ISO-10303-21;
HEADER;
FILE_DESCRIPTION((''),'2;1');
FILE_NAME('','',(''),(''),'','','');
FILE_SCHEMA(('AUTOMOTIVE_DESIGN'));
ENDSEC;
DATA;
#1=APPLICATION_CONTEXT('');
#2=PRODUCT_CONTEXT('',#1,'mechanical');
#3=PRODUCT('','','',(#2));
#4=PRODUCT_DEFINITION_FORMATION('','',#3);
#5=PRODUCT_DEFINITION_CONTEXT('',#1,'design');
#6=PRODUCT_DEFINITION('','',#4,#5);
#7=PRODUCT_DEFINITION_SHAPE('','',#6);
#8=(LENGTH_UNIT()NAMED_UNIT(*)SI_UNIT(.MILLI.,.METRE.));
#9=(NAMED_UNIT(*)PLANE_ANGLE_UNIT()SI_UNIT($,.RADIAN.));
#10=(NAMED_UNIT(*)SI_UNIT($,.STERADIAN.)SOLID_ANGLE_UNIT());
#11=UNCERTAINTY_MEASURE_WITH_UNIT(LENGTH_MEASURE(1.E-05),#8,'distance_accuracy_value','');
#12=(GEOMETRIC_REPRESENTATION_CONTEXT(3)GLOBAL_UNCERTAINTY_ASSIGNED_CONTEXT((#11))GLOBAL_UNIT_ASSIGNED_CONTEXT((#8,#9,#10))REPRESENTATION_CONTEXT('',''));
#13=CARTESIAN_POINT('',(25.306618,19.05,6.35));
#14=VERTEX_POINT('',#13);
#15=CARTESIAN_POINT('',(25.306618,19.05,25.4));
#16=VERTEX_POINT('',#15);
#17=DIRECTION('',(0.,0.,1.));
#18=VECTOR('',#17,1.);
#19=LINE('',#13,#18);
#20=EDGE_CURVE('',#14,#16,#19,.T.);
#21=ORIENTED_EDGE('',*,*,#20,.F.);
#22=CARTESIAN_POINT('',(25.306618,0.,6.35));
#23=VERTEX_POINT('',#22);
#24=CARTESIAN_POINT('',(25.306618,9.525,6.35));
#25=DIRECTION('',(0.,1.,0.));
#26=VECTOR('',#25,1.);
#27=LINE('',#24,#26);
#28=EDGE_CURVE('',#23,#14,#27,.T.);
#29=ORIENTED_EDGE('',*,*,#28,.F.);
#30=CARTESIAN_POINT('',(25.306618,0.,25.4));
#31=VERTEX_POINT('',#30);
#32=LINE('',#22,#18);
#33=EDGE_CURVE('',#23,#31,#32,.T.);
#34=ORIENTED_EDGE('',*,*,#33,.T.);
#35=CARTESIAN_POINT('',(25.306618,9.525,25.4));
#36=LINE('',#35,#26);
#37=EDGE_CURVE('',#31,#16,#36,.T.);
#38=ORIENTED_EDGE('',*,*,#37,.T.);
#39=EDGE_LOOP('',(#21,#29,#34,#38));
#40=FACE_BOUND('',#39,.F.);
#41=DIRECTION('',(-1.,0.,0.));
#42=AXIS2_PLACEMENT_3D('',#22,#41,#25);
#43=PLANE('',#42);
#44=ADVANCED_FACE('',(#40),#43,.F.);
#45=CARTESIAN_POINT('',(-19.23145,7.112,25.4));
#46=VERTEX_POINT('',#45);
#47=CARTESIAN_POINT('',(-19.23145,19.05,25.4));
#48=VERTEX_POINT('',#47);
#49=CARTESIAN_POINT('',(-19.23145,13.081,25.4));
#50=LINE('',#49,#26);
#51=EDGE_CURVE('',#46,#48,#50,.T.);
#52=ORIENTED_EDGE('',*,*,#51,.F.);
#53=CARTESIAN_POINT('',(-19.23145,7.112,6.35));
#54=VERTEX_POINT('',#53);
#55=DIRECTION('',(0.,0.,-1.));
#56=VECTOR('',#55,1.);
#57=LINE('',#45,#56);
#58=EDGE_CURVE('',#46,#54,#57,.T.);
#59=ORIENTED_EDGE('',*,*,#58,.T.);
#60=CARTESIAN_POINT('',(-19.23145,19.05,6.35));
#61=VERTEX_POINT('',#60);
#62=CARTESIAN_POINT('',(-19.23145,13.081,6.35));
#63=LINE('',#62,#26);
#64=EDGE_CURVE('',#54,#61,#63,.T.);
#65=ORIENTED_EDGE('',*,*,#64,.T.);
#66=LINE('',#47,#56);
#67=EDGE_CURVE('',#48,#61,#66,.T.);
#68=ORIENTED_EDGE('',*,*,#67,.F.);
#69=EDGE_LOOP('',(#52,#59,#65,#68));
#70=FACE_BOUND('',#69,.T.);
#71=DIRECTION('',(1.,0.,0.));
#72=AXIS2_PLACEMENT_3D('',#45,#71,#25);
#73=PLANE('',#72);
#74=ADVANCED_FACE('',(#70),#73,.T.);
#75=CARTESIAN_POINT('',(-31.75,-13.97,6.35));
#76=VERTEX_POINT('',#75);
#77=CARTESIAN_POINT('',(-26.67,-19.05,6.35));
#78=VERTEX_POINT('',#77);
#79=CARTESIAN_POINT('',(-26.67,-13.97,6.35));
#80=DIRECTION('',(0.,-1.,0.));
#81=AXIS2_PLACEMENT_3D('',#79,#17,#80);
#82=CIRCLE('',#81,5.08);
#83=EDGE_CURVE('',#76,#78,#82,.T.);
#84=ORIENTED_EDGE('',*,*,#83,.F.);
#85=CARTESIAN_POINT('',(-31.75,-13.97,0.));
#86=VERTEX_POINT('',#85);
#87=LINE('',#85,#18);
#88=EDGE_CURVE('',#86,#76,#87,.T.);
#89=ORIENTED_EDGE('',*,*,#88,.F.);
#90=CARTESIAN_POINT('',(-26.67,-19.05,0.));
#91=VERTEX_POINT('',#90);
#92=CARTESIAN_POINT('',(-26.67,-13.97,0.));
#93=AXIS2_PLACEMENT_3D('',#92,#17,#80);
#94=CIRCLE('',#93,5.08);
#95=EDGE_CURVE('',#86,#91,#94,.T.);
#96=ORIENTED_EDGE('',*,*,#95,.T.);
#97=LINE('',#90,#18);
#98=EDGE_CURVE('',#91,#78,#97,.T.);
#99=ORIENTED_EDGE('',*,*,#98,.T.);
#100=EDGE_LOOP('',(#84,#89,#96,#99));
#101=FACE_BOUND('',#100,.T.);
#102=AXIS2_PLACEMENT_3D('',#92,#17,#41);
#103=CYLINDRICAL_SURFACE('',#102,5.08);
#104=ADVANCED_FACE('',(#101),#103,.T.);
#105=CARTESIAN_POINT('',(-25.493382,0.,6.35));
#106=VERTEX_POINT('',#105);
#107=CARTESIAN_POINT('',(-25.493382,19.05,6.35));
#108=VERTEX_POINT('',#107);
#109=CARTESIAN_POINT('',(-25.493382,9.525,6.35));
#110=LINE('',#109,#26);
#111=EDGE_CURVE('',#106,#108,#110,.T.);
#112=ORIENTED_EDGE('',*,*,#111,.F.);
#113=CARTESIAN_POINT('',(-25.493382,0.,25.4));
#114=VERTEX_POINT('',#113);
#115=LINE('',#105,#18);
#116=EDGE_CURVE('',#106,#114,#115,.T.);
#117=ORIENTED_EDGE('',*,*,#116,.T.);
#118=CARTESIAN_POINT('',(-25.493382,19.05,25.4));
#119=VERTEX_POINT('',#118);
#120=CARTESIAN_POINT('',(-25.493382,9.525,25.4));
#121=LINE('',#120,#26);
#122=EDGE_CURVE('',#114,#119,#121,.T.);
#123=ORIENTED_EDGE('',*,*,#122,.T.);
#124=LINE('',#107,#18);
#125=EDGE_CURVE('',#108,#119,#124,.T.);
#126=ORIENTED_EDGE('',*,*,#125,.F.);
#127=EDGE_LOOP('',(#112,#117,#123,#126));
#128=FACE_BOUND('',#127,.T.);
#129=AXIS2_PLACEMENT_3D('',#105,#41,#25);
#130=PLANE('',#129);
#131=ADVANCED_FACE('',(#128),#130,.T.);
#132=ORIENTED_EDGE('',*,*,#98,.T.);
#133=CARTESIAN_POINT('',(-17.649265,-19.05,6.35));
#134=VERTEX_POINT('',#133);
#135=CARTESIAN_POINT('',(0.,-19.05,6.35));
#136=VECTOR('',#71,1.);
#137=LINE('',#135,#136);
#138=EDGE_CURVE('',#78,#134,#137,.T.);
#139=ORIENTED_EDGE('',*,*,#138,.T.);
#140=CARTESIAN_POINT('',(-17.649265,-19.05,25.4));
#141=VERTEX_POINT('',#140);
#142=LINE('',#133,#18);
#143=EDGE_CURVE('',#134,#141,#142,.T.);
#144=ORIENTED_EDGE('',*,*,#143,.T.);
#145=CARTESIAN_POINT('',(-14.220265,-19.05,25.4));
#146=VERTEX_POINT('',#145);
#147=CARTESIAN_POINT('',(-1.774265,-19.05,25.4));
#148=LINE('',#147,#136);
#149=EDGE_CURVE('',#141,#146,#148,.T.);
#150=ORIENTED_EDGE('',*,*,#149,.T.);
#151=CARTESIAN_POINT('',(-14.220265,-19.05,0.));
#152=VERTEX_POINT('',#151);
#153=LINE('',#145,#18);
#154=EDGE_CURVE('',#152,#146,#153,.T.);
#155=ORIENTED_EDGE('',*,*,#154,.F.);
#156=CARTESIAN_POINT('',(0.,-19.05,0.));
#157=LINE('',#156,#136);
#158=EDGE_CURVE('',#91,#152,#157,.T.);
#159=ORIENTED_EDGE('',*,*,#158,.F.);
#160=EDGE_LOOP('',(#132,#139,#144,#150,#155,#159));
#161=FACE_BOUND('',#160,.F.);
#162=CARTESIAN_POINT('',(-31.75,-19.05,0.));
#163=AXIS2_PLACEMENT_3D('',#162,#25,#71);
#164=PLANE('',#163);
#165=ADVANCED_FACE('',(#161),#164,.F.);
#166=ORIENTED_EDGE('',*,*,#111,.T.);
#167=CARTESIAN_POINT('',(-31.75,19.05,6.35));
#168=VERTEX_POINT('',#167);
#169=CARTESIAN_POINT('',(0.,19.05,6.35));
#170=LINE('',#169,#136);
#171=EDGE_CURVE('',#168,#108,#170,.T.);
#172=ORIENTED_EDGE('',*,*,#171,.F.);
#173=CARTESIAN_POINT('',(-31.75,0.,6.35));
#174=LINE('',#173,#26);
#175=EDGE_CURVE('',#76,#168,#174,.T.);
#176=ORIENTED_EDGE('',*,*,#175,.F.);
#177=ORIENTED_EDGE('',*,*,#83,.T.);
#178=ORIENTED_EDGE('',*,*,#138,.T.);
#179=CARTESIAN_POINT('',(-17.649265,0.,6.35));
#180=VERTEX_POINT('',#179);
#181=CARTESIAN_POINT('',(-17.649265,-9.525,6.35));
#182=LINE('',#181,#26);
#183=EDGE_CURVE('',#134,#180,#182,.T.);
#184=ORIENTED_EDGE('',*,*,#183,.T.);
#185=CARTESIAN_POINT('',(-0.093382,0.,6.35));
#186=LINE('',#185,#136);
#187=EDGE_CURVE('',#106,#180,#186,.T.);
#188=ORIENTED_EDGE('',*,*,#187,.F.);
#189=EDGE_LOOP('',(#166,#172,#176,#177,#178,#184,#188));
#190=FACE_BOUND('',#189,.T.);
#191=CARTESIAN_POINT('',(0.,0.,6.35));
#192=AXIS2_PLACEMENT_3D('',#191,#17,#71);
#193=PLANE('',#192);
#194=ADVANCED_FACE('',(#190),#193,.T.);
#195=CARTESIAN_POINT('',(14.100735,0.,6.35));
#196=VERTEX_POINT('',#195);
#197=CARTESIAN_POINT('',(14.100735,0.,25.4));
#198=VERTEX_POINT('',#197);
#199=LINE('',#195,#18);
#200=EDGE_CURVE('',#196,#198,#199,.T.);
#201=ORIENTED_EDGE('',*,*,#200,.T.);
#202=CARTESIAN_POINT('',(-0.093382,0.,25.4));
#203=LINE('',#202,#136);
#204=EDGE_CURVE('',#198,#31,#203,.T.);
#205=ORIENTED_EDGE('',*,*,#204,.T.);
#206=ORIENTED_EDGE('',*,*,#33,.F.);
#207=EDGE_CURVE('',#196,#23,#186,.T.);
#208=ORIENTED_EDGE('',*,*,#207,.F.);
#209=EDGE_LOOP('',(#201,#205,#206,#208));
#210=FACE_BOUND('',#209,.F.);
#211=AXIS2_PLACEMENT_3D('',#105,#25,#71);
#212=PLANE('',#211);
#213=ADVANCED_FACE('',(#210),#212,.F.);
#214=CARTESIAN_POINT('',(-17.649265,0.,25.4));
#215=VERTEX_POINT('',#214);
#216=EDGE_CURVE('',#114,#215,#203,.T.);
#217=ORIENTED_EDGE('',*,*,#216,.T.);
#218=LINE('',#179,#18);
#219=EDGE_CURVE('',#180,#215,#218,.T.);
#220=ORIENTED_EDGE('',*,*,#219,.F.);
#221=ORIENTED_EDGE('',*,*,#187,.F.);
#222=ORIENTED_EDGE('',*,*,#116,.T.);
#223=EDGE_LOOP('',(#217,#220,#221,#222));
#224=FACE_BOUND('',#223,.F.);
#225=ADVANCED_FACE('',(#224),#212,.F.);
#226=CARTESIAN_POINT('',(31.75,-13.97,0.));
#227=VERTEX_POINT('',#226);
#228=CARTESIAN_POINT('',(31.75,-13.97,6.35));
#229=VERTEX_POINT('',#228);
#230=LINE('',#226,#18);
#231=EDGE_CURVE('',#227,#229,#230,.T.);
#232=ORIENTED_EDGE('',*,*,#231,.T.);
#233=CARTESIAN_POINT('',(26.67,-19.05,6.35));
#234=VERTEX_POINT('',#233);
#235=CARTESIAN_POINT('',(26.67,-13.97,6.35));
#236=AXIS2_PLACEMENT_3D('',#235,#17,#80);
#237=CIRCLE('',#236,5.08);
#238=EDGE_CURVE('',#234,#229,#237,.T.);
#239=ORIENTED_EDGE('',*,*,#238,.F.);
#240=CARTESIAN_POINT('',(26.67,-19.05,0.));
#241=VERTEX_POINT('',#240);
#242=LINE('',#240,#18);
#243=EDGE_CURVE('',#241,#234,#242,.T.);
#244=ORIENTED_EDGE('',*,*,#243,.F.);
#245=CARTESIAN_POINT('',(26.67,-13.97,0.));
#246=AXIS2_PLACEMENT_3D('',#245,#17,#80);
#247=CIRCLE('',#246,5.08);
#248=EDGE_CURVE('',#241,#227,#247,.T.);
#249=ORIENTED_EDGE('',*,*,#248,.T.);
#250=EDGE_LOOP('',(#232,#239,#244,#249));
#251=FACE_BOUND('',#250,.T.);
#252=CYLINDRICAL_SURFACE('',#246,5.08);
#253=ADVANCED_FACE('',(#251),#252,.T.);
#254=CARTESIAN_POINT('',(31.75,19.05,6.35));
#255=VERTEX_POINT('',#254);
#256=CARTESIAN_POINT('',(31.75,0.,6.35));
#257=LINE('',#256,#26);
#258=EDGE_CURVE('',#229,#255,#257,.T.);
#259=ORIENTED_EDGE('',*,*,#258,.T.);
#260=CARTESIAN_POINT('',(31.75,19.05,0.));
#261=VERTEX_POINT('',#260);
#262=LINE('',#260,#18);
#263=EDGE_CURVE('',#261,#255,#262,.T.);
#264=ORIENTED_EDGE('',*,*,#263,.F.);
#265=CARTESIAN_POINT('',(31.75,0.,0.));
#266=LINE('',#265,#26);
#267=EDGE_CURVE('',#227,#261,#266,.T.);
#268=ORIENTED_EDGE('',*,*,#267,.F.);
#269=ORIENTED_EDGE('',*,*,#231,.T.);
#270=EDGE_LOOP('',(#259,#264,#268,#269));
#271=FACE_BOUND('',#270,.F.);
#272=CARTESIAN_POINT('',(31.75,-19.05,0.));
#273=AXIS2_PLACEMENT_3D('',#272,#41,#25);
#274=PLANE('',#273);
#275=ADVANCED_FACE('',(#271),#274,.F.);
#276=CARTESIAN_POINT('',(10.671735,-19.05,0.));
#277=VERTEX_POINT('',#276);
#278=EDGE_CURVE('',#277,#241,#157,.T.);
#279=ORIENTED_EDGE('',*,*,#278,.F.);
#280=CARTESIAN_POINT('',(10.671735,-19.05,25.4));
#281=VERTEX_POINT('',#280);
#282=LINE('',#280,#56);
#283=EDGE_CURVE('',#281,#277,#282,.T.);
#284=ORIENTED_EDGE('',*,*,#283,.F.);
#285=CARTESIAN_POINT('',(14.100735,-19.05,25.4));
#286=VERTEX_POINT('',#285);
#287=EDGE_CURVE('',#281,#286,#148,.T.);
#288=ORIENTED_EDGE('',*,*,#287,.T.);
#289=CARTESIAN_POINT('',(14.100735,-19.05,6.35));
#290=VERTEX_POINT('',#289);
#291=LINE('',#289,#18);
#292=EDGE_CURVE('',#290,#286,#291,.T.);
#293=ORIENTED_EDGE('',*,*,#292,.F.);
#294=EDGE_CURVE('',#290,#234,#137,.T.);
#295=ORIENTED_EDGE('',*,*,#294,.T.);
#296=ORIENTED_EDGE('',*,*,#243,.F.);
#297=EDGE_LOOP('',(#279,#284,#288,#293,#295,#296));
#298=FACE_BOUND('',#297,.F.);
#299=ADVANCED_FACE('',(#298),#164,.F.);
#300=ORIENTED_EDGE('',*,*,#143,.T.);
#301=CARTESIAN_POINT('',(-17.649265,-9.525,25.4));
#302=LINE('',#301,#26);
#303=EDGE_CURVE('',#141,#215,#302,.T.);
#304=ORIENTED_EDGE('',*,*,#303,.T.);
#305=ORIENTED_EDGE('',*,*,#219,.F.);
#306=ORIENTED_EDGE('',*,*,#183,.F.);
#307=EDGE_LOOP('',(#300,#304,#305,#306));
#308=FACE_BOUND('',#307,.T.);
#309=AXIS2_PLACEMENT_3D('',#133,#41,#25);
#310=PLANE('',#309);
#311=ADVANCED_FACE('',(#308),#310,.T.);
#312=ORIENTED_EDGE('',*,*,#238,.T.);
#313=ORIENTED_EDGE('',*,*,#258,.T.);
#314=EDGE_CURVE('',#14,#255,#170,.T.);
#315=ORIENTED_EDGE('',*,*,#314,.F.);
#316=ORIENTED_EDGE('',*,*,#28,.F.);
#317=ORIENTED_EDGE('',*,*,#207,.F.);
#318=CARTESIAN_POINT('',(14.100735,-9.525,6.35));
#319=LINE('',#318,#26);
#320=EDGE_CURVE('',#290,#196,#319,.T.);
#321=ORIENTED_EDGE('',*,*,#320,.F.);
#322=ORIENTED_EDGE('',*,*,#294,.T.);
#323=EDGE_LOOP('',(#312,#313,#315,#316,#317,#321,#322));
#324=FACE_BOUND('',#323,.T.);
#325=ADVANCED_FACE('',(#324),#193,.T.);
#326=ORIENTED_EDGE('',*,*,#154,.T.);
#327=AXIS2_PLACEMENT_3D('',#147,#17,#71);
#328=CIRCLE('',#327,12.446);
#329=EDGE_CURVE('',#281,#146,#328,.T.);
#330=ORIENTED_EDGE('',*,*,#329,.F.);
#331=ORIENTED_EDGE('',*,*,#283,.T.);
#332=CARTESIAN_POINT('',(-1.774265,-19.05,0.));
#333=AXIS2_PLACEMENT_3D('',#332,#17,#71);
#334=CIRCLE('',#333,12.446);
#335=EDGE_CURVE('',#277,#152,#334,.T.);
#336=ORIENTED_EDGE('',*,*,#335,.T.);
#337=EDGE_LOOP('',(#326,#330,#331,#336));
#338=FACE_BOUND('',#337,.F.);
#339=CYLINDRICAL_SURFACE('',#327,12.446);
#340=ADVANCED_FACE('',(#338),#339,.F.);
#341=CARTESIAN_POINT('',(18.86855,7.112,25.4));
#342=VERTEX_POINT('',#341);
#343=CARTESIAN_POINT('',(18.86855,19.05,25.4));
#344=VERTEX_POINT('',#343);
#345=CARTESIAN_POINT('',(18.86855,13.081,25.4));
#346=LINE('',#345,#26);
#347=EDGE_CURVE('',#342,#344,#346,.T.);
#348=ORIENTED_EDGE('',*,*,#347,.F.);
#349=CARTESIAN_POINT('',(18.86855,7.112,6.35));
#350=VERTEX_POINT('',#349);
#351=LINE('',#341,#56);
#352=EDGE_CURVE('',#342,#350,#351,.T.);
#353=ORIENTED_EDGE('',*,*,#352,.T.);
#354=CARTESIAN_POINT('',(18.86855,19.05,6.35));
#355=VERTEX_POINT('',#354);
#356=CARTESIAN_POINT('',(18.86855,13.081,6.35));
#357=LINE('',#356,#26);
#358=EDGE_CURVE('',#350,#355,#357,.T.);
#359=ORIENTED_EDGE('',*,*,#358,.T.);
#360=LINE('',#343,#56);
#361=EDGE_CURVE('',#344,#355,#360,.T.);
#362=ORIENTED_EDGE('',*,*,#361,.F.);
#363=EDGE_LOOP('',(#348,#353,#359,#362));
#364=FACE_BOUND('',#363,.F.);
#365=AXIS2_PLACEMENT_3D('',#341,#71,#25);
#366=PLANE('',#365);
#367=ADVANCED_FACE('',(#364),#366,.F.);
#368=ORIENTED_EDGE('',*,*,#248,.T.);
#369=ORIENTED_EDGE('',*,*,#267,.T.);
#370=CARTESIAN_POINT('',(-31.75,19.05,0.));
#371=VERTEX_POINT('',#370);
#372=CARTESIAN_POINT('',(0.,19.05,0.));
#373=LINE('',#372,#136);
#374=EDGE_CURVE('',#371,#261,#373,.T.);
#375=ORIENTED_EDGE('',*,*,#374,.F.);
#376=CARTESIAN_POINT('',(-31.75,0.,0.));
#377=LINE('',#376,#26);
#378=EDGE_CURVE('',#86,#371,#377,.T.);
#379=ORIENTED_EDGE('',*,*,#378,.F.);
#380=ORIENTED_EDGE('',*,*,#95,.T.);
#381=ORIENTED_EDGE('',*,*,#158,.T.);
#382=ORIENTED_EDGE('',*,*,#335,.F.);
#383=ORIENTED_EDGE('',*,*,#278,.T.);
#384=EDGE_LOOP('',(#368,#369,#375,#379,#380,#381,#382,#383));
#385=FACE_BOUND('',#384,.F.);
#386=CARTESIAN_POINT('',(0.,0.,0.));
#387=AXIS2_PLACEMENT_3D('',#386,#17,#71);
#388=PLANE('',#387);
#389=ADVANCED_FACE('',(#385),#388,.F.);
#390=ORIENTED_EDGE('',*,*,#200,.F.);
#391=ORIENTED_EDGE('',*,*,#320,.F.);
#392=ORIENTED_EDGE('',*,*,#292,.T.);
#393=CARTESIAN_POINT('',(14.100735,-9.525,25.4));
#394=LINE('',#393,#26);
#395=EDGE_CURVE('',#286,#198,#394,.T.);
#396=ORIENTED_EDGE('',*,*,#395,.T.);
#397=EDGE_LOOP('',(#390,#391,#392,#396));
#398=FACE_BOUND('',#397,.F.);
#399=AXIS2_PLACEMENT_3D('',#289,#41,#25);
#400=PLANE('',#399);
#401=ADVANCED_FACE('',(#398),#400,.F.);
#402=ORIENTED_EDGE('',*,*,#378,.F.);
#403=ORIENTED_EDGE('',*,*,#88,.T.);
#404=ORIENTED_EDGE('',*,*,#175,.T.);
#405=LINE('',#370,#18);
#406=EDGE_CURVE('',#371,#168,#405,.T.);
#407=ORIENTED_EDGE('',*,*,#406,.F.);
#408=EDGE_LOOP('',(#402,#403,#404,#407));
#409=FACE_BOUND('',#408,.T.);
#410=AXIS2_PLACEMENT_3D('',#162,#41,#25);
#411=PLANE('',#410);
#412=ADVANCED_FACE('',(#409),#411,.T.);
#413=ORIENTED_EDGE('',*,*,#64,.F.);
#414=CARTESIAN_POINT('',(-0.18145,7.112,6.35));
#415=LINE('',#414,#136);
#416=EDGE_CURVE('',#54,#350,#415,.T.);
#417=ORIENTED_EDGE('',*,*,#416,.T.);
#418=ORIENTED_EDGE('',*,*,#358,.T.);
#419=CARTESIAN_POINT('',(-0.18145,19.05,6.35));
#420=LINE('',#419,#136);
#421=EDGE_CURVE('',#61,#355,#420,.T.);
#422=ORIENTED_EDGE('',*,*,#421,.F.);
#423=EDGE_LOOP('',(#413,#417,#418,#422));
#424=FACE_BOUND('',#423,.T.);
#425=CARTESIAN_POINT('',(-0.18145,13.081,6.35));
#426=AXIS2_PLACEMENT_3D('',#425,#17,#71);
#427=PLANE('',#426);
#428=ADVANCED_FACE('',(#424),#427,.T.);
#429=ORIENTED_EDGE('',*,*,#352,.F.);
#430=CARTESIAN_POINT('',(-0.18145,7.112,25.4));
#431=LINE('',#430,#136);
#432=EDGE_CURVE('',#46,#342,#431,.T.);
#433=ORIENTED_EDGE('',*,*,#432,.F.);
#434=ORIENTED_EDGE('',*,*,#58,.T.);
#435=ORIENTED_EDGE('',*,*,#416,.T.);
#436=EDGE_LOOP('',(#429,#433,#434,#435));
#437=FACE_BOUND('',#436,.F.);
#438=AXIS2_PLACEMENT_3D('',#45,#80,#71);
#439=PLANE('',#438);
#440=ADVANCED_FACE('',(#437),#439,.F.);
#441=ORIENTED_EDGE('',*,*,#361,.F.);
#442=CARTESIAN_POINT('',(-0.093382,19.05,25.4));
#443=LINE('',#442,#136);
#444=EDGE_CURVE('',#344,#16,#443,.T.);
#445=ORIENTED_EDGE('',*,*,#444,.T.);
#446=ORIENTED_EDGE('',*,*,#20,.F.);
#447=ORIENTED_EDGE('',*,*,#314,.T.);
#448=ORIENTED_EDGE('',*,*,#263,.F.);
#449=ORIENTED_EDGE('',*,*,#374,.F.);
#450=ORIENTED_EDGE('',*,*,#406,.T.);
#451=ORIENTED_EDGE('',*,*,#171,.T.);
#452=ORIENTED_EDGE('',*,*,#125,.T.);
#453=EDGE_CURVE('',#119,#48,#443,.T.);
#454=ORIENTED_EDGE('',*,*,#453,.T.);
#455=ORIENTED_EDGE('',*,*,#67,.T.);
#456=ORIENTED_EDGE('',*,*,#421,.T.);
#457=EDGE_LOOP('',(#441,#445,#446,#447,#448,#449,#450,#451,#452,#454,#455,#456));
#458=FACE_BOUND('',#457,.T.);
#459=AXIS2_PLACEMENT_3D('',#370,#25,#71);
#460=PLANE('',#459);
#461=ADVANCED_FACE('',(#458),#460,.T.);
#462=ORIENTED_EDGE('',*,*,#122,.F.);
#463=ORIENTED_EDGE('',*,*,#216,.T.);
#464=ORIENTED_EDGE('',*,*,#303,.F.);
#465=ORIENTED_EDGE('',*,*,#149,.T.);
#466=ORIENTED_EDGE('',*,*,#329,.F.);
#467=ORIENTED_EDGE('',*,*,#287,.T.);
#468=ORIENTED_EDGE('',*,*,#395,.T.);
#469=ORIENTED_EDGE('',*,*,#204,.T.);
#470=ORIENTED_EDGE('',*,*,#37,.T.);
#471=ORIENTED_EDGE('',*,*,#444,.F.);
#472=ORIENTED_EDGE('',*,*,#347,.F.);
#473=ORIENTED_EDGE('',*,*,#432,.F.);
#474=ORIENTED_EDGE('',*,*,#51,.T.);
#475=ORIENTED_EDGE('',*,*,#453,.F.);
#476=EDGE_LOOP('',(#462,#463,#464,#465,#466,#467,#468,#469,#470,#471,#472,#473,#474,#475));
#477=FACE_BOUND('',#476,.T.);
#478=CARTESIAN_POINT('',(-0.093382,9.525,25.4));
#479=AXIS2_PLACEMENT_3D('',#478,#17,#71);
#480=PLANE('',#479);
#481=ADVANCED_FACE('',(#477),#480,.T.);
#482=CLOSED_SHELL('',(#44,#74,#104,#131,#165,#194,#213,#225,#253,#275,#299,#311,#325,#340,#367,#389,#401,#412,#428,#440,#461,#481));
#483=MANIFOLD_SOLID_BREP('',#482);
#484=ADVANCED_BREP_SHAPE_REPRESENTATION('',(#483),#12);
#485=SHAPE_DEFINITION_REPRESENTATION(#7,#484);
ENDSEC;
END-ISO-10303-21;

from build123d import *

# Parameters (mm, degrees)
F0_W      = 63.5
F0_H      = 38.1
F1_DEPTH  = 6.35
F2_W      = 50.8
F2_H      = 19.05
F3_DEPTH  = 19.05
F4_W      = 38.1
F4_H      = 11.938
F5_DEPTH  = 19.05
F6_R      = 5.08
F7_W      = 31.75
F7_H      = 19.05
F8_DEPTH  = 19.05
F9_R      = 12.446
F10_DEPTH = 25.401


with BuildPart() as f1:
    # F0 (on Top) → F1 (new body)
    with BuildSketch(Plane.XY):
        Rectangle(F0_W, F0_H)
    extrude(amount=F1_DEPTH)

    # F2 (on face) → F3 (join)
    with BuildSketch(Plane.XY.offset(6.35)):
        with Locations((-0.093382, 9.525)):
            Rectangle(F2_W, F2_H)
    extrude(amount=F3_DEPTH)

    # F4 (on face) → F5 (cut)
    with BuildSketch(Plane.XY.offset(25.4)):
        with Locations((-0.18145, 13.081)):
            Rectangle(F4_W, F4_H)
    extrude(amount=-F5_DEPTH, mode=Mode.SUBTRACT)

    # F6
    f6_edges = [f1.edges().sort_by_distance(p)[0] for p in [
        (-31.75, -19.05, 3.175),
        (31.75, -19.05, 3.175),
    ]]
    fillet(f6_edges, radius=F6_R)

    # F7 (on face) → F8 (join)
    with BuildSketch(Plane.XY.offset(6.35)):
        with Locations((-1.774265, -9.525)):
            Rectangle(F7_W, F7_H)
    extrude(amount=F8_DEPTH)

    # F9 (on face) → F10 (cut, through all)
    with BuildSketch(Plane.XY.offset(25.4)):
        with Locations((-1.774265, -19.05)):
            Circle(F9_R)
    extrude(amount=-F10_DEPTH, mode=Mode.SUBTRACT)


solid = f1.part
